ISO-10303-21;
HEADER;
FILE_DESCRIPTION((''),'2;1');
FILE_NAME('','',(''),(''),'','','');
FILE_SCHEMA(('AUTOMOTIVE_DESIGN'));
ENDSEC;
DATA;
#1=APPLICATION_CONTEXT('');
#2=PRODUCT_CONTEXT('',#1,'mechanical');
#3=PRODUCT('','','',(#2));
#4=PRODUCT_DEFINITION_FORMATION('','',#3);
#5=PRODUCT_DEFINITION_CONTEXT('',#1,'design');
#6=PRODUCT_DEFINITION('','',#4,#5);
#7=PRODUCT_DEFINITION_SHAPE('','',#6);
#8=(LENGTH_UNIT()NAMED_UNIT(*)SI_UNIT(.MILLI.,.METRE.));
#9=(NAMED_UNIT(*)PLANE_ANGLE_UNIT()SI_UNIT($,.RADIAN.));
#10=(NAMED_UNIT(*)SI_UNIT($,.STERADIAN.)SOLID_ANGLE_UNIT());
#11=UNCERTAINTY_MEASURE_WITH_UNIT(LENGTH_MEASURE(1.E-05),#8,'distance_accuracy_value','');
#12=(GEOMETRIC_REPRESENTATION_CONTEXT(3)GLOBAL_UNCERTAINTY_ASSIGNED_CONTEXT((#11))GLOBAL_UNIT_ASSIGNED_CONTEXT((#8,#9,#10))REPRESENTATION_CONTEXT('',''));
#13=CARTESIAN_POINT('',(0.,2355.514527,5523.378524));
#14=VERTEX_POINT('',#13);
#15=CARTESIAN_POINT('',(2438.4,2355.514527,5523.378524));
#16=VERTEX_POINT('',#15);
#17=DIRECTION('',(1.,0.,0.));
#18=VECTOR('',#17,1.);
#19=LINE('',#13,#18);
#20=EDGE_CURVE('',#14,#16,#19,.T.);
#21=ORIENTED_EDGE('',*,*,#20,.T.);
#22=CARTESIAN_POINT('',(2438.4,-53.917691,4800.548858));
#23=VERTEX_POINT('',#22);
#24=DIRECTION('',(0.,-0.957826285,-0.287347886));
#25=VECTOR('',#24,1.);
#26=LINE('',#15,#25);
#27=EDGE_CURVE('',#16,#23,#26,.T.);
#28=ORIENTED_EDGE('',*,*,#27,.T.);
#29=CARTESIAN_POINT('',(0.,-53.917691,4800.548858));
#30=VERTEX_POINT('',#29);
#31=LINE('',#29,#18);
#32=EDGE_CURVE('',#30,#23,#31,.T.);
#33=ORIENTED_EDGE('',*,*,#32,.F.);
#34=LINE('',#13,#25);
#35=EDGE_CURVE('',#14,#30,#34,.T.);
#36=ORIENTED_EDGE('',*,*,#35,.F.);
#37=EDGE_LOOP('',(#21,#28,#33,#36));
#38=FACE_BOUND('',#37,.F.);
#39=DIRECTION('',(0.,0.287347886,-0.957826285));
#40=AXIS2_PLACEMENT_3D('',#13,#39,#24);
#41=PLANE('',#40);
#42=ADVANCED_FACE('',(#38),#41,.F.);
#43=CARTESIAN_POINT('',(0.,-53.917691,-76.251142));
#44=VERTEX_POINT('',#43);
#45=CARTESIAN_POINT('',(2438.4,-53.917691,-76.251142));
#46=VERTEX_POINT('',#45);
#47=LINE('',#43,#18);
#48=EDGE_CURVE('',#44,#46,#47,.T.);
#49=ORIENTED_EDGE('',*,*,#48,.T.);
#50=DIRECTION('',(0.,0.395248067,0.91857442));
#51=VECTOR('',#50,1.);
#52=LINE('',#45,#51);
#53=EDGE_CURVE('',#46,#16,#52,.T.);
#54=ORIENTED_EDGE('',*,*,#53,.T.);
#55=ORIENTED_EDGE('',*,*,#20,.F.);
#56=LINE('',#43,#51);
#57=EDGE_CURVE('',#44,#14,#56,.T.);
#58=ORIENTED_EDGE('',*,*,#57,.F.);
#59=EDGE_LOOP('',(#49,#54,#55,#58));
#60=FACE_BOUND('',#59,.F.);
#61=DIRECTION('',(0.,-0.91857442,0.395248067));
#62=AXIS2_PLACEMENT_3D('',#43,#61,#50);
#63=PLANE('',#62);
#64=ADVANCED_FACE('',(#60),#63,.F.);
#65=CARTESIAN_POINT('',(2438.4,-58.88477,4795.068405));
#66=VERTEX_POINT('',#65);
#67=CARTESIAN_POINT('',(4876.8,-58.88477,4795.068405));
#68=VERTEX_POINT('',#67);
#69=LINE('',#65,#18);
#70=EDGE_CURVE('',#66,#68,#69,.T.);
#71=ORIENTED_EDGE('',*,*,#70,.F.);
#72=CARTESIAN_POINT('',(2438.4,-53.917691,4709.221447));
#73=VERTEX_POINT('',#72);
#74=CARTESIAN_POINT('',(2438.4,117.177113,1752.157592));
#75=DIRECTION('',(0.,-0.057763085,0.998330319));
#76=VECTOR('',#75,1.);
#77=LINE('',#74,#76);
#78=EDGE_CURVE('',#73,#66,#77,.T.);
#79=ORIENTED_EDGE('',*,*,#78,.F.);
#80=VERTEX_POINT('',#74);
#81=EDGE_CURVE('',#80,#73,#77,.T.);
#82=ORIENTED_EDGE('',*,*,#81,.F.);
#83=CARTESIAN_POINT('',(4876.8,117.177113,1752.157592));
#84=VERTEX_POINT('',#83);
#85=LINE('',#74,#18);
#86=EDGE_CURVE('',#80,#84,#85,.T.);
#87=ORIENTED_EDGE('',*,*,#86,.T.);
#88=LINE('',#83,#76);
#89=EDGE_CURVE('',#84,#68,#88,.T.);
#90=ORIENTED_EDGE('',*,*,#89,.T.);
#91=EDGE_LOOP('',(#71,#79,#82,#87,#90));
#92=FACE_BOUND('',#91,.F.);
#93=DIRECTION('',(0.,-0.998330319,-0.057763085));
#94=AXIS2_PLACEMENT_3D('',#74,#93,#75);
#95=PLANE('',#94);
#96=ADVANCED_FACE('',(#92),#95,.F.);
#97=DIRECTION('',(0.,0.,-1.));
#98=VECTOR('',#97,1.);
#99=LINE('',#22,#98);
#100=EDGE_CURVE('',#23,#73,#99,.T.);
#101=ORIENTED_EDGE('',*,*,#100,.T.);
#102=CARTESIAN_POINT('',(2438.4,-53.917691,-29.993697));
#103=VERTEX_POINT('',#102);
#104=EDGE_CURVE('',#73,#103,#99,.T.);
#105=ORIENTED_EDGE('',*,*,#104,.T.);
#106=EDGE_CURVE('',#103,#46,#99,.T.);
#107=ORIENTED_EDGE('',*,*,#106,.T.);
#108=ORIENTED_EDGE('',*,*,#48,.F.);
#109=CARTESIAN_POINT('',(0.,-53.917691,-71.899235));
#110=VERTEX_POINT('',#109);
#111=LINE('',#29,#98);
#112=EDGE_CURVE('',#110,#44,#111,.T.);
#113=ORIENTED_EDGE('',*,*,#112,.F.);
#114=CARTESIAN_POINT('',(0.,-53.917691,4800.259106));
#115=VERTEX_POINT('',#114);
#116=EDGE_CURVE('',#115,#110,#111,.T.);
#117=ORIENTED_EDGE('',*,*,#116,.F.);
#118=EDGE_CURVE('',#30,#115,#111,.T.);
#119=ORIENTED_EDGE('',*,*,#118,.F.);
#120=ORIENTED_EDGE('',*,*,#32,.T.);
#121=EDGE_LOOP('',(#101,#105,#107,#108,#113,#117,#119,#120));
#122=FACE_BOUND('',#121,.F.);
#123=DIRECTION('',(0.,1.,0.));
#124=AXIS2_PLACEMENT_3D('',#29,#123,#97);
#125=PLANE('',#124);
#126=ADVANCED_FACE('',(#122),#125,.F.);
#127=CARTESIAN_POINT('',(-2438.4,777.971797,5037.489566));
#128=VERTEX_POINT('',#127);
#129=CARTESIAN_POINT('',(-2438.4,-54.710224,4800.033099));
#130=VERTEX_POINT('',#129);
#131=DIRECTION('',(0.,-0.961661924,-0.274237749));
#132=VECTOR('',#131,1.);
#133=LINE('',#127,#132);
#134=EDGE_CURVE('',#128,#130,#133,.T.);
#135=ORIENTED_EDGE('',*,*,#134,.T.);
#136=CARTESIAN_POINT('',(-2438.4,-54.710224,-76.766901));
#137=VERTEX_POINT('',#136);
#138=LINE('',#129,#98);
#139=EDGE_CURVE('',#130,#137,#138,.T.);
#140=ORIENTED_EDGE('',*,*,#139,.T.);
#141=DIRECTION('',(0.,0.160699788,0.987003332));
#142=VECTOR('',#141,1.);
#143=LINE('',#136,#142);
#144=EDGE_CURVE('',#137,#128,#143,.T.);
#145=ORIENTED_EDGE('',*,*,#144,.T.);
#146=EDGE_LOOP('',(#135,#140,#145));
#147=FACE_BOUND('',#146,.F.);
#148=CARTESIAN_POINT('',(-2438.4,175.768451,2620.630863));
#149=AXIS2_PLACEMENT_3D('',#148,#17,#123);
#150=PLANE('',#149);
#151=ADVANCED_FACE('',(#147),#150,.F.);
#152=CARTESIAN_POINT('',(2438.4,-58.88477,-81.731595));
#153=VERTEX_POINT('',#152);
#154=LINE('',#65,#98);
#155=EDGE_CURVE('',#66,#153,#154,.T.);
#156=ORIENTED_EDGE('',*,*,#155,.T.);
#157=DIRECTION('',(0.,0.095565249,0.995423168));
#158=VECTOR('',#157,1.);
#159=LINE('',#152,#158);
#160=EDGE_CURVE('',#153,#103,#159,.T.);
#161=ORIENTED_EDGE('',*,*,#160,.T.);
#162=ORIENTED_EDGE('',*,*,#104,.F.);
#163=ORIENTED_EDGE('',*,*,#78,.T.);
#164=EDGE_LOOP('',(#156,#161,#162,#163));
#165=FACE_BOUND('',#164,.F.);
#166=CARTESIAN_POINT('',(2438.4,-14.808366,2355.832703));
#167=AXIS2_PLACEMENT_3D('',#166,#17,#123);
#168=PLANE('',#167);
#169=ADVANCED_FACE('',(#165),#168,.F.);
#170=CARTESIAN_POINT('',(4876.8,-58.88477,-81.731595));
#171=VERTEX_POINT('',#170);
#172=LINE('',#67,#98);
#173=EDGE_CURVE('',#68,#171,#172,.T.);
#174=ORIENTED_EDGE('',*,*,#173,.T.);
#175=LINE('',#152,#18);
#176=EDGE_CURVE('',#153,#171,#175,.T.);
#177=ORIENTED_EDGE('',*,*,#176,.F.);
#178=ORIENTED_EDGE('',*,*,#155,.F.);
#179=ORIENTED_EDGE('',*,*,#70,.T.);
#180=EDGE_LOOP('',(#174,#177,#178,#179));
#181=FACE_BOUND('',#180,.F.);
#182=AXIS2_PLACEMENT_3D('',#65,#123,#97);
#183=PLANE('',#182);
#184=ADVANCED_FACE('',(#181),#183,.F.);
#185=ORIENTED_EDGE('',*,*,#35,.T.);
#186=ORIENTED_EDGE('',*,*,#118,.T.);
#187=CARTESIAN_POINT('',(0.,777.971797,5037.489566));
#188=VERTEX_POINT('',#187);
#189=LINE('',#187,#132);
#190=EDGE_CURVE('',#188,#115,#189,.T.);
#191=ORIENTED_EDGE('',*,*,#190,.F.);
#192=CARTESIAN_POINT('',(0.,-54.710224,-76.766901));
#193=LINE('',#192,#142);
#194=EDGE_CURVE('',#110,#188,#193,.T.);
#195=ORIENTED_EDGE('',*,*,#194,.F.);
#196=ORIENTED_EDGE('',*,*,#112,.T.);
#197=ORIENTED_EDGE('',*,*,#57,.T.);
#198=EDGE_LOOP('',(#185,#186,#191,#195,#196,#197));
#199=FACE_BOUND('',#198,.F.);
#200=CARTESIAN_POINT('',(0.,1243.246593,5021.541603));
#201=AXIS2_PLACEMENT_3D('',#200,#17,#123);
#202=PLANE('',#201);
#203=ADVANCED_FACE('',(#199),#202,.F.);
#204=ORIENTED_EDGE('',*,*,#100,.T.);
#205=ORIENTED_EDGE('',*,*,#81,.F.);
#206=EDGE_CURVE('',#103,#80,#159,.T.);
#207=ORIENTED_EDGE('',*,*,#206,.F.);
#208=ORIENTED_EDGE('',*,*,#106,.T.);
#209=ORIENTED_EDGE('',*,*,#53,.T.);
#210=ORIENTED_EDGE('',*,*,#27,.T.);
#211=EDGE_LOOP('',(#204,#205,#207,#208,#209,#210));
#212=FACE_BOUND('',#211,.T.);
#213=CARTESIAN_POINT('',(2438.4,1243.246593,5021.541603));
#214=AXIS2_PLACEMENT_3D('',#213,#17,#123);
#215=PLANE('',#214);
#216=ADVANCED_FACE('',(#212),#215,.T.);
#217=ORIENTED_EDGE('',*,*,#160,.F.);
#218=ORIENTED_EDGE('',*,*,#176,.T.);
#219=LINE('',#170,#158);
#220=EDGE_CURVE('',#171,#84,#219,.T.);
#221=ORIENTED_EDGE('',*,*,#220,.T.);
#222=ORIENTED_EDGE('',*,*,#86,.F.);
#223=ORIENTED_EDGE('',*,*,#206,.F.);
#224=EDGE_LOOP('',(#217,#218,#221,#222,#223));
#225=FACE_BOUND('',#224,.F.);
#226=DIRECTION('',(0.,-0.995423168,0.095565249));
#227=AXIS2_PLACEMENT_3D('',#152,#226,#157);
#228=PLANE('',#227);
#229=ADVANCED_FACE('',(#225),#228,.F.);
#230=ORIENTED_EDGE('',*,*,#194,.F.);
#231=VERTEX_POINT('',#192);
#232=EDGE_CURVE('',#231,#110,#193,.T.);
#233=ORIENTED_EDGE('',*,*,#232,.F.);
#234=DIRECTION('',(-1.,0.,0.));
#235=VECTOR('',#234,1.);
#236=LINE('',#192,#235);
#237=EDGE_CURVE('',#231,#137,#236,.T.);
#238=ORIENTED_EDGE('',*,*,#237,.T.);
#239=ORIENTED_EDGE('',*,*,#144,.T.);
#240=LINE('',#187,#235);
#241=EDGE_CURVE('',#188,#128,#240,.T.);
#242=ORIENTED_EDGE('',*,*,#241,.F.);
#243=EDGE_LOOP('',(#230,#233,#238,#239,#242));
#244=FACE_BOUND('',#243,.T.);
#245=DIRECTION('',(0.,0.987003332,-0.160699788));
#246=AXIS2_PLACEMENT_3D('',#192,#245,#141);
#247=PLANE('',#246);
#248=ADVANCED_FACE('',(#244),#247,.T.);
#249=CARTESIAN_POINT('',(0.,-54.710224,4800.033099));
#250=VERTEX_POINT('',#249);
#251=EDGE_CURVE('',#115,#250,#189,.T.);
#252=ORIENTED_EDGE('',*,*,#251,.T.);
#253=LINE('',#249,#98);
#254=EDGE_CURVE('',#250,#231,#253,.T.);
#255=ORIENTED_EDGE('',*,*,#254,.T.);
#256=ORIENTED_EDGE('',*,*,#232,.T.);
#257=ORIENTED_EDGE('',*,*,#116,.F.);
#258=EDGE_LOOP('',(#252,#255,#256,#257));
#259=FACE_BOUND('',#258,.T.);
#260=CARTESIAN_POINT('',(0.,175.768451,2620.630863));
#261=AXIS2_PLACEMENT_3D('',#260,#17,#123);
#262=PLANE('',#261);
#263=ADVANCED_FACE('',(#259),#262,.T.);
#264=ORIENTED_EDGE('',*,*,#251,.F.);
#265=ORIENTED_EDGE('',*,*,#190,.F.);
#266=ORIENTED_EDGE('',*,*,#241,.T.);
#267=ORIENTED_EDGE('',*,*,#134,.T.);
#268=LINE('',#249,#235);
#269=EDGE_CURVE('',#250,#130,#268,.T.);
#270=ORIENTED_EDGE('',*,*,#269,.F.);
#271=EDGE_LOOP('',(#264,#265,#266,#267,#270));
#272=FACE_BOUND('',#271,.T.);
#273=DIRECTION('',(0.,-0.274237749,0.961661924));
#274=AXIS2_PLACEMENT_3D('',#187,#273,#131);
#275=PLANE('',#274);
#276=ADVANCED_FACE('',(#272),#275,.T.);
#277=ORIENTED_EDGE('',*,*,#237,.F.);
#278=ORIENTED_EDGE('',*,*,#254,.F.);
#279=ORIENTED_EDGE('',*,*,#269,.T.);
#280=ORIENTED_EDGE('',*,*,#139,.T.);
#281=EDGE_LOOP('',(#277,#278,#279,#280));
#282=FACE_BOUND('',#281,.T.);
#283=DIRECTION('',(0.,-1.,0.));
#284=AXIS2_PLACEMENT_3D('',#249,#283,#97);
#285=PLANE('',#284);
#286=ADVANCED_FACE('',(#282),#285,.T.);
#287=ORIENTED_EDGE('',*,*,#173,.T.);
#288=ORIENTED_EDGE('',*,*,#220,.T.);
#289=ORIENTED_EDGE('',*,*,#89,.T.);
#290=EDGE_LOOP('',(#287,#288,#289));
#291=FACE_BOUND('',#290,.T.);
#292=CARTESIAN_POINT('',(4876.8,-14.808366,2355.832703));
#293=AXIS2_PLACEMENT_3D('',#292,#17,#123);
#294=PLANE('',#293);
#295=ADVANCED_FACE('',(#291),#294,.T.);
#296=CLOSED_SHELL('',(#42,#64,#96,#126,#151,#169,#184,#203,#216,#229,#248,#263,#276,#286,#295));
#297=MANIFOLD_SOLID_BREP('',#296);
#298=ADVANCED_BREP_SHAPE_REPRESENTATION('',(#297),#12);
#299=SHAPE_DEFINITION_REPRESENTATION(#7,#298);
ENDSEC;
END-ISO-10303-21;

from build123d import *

# Parameters (mm, degrees)
F1_DEPTH = 2438.4
F3_DEPTH = 2438.4
F5_START = 2438.4
F5_DEPTH = 2438.4


with BuildPart() as f1:
    # F0 (on Right) → F1 (new body)
    with BuildSketch(Plane.YZ):
        Polygon((2355.5145265505, 5523.3785235716), (-53.9176911116, 4800.548858273), (2044.4923362358, 4800.548858273), align=None)
        Polygon((-53.9176911116, 4800.548858273), (-53.9176911116, -76.251141727), (2044.4923362358, 4800.548858273), align=None)
    extrude(amount=F1_DEPTH)

    # F2 (on Right) → F3 (join)
    with BuildSketch(Plane.YZ):
        Polygon((-54.7102242708, 4800.0330992818), (-54.7102242708, -76.7669007182), (777.9717968815, 5037.4895664185), align=None)
    extrude(amount=-F3_DEPTH)

    # F4 (on Right) → F5 (join)
    with BuildSketch(Plane.YZ.offset(F5_START)):
        Polygon((-58.8847696781, 4795.068404901), (-58.8847696781, -81.731595099), (117.1771129639, 1752.157592294), align=None)
    extrude(amount=F5_DEPTH)


solid = f1.part
